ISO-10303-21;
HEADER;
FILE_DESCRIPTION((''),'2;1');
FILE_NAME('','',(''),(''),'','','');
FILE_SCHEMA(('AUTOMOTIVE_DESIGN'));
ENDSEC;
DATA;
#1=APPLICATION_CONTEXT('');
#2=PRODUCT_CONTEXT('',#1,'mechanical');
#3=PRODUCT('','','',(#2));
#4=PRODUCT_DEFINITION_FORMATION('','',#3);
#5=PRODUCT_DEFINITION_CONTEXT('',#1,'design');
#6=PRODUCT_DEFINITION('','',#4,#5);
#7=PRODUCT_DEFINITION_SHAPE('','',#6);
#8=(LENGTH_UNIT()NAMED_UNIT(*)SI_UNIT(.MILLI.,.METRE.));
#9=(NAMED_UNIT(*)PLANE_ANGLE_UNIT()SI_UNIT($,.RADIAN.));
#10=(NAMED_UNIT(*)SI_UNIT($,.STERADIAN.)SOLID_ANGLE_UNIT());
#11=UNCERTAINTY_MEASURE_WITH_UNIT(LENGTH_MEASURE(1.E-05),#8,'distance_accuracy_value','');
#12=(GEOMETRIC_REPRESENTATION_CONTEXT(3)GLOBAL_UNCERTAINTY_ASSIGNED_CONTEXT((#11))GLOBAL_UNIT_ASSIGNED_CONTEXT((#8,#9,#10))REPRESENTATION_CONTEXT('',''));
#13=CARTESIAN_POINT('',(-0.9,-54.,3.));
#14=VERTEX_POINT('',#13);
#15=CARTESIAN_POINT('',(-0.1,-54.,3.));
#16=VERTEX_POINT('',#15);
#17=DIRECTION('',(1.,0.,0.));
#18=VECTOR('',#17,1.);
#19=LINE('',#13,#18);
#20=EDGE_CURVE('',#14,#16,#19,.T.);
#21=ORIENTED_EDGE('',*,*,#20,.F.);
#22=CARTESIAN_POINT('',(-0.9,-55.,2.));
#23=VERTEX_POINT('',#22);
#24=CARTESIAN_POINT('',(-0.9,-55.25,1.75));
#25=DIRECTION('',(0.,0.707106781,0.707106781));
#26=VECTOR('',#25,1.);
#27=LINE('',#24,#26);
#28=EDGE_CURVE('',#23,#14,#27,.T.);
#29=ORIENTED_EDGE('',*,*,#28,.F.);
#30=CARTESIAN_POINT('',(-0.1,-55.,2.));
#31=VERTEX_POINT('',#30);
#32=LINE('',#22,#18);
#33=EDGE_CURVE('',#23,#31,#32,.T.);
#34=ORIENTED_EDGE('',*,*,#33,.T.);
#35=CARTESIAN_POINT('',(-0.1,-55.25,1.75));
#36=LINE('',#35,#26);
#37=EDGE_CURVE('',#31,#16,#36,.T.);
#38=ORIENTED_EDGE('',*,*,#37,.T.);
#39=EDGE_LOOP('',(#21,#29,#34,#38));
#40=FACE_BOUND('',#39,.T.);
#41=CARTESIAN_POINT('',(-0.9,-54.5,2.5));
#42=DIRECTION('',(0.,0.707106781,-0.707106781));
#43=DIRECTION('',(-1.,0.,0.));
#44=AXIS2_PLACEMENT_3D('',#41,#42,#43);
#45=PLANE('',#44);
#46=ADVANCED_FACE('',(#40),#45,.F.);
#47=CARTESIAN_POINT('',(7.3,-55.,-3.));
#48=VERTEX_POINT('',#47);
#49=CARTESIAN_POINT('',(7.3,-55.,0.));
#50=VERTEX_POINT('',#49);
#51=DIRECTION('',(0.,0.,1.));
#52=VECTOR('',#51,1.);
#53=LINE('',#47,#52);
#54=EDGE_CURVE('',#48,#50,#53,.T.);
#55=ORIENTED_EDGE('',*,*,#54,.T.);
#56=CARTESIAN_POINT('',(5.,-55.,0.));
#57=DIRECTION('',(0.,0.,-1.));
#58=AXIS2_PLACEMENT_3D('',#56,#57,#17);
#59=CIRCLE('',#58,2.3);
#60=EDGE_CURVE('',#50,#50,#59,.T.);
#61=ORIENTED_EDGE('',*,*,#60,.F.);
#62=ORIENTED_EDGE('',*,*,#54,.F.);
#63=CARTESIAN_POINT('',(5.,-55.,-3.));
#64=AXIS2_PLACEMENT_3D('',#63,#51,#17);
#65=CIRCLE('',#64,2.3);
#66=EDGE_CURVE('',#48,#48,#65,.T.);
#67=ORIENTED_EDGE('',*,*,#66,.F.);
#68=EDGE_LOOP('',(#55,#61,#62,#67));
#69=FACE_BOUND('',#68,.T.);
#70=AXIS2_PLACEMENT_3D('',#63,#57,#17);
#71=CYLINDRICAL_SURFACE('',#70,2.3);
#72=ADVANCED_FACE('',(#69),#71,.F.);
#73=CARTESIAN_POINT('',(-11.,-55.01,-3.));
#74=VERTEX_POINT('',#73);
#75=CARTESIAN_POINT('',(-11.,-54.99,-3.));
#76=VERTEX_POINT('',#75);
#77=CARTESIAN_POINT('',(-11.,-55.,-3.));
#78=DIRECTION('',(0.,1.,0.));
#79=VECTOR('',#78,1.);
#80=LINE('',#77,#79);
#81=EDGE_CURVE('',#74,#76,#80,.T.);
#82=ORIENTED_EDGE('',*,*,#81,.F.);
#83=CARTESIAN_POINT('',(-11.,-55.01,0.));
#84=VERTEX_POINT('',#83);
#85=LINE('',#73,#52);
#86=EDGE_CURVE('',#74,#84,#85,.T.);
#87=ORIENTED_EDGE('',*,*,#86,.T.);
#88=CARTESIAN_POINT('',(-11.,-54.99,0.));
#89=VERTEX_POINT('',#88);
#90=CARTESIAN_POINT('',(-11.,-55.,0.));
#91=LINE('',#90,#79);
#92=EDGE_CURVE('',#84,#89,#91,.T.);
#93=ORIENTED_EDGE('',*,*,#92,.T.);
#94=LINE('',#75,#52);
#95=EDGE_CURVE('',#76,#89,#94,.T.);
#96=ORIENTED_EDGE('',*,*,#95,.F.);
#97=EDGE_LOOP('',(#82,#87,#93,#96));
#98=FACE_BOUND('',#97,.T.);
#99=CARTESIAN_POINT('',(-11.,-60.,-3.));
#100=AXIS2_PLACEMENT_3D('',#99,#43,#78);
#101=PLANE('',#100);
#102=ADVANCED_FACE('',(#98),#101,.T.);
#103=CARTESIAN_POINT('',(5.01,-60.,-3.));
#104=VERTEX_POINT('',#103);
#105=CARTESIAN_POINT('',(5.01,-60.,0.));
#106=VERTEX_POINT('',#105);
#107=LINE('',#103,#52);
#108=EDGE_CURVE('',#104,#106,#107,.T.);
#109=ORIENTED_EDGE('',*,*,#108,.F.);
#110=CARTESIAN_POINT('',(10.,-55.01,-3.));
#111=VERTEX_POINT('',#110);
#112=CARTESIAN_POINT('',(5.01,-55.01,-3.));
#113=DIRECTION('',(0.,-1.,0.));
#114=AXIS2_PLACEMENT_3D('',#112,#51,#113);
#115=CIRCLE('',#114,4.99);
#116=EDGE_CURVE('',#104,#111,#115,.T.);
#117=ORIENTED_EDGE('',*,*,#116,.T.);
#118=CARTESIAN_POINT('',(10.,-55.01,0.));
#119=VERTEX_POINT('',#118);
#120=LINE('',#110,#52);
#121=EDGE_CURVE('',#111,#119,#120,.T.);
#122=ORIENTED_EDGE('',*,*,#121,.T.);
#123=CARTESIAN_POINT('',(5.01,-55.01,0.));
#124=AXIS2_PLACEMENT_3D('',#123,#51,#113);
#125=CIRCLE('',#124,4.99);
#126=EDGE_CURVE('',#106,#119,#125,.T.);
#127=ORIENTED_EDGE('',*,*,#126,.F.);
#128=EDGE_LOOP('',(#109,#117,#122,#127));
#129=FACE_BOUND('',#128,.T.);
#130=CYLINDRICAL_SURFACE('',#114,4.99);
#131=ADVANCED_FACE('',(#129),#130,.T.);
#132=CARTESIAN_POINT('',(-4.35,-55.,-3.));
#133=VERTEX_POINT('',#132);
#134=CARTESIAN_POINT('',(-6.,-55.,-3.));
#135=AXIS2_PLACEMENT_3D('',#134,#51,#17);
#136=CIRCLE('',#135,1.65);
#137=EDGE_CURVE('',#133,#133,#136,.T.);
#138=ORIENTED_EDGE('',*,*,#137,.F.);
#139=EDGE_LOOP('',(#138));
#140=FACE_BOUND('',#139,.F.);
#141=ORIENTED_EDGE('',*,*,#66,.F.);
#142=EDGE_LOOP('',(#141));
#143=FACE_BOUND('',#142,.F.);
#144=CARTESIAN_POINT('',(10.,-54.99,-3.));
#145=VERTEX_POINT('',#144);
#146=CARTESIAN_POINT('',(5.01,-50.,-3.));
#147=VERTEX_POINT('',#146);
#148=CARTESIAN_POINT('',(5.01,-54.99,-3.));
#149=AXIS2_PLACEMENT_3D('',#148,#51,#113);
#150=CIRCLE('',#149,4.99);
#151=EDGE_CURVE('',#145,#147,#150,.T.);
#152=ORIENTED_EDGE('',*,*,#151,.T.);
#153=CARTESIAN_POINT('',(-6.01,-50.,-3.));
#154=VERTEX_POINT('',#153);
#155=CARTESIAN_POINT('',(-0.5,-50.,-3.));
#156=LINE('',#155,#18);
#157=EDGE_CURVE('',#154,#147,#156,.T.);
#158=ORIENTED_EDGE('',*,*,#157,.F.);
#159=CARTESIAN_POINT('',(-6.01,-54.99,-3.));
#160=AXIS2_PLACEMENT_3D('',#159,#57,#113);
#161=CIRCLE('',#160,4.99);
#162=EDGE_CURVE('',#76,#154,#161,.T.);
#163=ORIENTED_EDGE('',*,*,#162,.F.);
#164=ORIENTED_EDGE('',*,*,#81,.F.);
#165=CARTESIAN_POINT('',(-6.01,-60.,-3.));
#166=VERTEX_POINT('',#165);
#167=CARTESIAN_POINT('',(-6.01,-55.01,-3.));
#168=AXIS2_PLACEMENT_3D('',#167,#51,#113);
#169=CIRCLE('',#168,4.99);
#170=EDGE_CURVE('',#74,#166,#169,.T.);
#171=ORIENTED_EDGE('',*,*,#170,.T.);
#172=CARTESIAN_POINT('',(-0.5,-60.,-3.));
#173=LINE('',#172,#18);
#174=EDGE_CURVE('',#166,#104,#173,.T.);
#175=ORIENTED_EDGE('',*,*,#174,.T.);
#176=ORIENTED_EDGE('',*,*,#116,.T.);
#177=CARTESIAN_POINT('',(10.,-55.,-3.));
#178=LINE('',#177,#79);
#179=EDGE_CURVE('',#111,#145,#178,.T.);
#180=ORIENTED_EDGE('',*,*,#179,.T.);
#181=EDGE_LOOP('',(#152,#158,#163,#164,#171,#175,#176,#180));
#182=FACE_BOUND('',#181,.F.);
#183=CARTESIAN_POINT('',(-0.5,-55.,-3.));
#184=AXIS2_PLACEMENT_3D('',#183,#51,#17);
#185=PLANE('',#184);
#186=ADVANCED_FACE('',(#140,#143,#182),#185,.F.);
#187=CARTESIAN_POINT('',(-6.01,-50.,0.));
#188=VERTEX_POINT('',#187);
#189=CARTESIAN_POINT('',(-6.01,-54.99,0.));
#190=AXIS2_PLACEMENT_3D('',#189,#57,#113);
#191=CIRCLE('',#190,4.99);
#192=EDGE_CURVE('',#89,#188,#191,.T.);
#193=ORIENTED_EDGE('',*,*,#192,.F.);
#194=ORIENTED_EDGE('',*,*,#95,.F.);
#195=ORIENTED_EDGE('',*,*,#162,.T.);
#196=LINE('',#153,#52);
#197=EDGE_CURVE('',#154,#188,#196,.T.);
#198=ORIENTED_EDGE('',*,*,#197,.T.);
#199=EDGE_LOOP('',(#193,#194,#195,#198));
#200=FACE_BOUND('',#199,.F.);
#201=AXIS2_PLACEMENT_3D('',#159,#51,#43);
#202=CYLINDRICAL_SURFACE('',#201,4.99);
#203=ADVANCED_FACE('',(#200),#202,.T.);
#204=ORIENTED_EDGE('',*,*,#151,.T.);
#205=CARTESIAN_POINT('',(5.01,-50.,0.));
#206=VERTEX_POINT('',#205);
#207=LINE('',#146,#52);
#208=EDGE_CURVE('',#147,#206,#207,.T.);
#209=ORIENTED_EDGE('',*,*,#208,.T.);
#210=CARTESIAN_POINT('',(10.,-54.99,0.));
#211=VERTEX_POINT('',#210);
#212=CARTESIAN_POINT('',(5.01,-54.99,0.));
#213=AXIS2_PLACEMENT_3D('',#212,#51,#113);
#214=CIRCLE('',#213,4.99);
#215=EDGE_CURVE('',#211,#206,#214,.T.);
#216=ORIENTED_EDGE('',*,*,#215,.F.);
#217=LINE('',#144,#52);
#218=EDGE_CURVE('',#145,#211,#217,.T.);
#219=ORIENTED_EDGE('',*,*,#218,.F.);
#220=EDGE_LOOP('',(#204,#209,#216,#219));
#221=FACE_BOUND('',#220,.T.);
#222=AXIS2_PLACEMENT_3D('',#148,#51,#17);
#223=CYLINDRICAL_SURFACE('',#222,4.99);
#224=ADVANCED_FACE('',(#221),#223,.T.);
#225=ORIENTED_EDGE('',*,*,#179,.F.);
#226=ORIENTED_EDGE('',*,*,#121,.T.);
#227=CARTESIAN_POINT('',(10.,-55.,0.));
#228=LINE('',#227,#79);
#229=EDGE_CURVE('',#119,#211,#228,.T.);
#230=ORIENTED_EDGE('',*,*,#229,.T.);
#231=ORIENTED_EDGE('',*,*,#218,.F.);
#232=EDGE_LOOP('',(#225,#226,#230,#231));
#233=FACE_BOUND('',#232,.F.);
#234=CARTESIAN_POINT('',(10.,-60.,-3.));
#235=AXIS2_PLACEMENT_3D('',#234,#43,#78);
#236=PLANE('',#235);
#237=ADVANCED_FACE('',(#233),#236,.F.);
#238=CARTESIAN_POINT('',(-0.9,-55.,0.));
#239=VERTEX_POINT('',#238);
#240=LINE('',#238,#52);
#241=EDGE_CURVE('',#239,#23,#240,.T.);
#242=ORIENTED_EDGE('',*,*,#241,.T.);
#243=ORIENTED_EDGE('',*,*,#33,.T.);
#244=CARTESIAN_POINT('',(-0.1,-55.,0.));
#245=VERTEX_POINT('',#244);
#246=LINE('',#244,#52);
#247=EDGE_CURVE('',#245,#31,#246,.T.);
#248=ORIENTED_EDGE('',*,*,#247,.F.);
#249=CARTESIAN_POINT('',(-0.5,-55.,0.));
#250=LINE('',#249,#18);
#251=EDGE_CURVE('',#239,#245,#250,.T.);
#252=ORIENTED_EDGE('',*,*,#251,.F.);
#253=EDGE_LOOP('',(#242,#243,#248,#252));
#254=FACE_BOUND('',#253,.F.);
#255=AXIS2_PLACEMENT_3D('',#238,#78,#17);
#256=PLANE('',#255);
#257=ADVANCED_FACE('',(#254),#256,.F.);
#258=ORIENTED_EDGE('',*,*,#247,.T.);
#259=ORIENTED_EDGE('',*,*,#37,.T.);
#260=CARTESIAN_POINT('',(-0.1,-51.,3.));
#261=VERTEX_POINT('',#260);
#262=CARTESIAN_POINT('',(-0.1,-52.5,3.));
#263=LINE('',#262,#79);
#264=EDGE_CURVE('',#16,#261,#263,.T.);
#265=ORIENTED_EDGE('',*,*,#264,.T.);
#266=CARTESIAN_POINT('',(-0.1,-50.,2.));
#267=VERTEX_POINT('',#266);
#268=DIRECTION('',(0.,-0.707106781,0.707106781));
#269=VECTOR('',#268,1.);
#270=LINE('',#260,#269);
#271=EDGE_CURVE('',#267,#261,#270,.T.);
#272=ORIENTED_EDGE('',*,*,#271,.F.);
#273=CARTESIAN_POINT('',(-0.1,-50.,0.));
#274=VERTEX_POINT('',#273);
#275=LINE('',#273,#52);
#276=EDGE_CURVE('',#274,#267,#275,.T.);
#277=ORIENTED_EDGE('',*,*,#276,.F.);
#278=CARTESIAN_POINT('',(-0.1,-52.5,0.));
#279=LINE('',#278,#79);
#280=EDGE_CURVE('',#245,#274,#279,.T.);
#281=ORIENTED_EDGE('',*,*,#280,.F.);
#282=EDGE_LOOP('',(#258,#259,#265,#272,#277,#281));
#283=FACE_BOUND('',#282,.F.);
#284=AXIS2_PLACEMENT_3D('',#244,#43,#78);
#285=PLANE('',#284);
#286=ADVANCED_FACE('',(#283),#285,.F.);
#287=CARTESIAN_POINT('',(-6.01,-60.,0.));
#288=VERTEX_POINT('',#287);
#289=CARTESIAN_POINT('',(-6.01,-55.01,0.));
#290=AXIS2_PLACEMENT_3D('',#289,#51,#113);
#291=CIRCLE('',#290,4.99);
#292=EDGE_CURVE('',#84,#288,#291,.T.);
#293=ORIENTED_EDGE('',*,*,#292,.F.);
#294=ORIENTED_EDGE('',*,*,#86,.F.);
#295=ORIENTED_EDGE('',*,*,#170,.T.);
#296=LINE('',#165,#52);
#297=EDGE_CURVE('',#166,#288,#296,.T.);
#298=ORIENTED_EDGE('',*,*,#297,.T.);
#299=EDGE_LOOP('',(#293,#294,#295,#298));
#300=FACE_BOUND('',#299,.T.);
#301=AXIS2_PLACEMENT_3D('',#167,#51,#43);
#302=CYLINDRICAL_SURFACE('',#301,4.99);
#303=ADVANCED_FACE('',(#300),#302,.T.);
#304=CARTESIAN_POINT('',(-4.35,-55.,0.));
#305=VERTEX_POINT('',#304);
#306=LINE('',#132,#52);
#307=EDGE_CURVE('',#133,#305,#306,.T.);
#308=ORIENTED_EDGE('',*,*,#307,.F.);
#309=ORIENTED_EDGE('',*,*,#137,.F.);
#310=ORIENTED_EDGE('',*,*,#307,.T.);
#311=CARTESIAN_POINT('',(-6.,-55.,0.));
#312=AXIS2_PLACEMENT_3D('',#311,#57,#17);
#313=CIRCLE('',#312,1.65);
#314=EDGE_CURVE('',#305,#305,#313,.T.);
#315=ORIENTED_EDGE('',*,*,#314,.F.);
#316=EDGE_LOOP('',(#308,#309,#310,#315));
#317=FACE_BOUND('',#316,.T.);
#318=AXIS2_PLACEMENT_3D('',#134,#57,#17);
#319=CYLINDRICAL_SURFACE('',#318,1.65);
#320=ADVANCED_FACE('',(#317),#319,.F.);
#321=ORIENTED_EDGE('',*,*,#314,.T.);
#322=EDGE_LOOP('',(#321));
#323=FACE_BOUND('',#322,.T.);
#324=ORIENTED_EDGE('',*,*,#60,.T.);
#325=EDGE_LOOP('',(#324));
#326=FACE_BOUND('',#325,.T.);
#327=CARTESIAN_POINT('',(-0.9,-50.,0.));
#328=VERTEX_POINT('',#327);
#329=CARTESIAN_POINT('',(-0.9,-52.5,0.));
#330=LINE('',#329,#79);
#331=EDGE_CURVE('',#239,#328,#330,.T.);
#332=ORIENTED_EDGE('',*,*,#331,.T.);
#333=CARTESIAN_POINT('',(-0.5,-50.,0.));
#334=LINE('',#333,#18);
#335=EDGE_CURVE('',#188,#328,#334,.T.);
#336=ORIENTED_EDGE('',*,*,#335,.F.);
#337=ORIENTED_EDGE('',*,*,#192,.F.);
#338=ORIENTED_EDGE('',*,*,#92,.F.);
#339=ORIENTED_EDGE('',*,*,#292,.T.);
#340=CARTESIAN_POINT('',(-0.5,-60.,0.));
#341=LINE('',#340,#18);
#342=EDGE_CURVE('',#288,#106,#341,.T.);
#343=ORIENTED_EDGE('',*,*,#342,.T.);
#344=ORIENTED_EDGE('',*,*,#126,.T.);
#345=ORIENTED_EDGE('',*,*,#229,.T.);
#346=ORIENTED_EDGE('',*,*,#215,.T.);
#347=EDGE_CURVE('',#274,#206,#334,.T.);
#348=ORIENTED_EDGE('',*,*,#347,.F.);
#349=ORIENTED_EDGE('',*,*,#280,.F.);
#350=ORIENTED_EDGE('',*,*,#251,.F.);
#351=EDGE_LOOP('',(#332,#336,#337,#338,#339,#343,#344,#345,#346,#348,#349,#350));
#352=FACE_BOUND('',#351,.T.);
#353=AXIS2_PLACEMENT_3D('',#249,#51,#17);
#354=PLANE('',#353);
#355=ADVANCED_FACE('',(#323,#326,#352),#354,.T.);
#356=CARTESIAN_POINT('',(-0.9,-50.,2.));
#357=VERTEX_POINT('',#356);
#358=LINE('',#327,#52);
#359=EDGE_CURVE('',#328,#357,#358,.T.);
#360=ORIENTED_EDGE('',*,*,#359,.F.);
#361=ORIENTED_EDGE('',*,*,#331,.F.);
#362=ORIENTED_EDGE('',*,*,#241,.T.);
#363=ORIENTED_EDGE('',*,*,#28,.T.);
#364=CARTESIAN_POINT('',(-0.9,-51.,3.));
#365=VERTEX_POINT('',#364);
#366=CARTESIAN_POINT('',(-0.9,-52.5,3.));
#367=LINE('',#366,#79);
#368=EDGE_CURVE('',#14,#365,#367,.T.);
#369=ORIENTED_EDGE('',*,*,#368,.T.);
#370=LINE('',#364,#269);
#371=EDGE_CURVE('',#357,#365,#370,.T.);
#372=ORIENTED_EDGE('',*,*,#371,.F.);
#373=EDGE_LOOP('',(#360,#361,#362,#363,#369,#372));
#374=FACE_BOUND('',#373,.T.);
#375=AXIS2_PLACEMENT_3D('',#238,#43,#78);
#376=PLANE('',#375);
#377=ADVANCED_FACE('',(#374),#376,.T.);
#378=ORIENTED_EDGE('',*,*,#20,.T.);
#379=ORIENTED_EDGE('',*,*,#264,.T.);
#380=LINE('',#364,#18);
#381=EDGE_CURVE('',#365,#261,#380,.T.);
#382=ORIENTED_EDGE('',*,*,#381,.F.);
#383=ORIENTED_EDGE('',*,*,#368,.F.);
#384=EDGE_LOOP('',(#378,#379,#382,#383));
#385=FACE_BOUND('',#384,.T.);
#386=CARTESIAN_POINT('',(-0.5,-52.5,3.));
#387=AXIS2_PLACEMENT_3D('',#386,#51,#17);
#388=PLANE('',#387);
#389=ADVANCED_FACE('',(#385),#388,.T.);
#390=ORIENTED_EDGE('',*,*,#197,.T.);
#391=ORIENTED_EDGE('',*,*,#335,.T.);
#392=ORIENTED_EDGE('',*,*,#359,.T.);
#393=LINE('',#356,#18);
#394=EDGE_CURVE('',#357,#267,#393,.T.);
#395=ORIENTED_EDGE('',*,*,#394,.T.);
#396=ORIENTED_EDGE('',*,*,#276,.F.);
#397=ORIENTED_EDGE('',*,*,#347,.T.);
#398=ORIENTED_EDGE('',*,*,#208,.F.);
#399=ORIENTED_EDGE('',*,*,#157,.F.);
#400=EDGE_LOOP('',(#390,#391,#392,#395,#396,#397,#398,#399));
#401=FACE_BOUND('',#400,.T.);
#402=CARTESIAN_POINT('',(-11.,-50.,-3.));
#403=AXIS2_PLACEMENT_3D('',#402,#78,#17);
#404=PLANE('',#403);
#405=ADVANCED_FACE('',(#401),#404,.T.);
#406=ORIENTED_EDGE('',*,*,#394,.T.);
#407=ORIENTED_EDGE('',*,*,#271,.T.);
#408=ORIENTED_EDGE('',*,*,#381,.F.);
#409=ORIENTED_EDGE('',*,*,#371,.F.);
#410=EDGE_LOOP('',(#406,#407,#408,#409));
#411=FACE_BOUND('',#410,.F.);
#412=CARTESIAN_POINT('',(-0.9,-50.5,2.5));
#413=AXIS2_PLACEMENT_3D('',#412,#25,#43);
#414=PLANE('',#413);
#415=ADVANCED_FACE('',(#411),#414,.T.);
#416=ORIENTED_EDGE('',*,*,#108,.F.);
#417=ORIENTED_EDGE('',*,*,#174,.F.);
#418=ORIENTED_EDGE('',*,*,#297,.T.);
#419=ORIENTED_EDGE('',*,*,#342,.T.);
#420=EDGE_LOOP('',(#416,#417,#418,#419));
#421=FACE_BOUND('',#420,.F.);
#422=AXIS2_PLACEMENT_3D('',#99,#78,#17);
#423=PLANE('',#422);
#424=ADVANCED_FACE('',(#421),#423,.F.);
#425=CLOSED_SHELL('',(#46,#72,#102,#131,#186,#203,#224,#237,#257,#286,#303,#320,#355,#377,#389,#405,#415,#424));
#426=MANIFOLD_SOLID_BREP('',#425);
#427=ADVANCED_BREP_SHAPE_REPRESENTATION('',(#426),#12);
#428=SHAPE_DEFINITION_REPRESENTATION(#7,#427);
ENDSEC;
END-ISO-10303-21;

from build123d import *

# Parameters (mm, degrees)
BOX002_W          = 0.8
BOX002_H          = 5
BOX002_DEPTH      = 3
CHAMFER001_SIZE   = 1
CYLINDER001_R     = 2.3
CYLINDER001_DEPTH = 10
CYLINDER_R        = 1.65
CYLINDER_DEPTH    = 10
BOX001_W          = 21
BOX001_H          = 10
BOX001_DEPTH      = 3
FILLET_R          = 4.99


with BuildPart() as chamfer001:
    # Box002 → Box002 (new body)
    with BuildSketch(Plane(origin=(-0.9, -55, 0), x_dir=(1, 0, 0), z_dir=(0, 0, 1))):
        with Locations((0.4, 2.5)):
            Rectangle(BOX002_W, BOX002_H)
    extrude(amount=BOX002_DEPTH)

    # Chamfer001
    chamfer001_edges = [chamfer001.edges().sort_by_distance(p)[0] for p in [
        (-0.5, -55, 3),
        (-0.5, -50, 3),
    ]]
    chamfer(chamfer001_edges, length=CHAMFER001_SIZE)


with BuildPart() as cylinder001:
    # Cylinder001 → Cylinder001 (new body)
    with BuildSketch(Plane(origin=(5, -55, -3), x_dir=(1, 0, 0), z_dir=(0, 0, 1))):
        Circle(CYLINDER001_R)
    extrude(amount=CYLINDER001_DEPTH)


with BuildPart() as fusion001:
    # Cylinder → Cylinder (new body)
    with BuildSketch(Plane(origin=(-6, -55, -3), x_dir=(1, 0, 0), z_dir=(0, 0, 1))):
        Circle(CYLINDER_R)
    extrude(amount=CYLINDER_DEPTH)

    # Fusion001: union Cylinder001
    add(cylinder001.part)


with BuildPart() as connector:
    # Box001 → Box001 (new body)
    with BuildSketch(Plane(origin=(-11, -60, -3), x_dir=(1, 0, 0), z_dir=(0, 0, 1))):
        with Locations((10.5, 5)):
            Rectangle(BOX001_W, BOX001_H)
    extrude(amount=BOX001_DEPTH)

    # Fillet
    fillet_edges = [connector.edges().sort_by_distance(p)[0] for p in [
        (-11, -60, -1.5),
        (-11, -50, -1.5),
        (10, -60, -1.5),
        (10, -50, -1.5),
    ]]
    fillet(fillet_edges, radius=FILLET_R)

    # Cut001: cut Fusion001
    add(fusion001.part, mode=Mode.SUBTRACT)

    # Fusion002: union Chamfer001
    add(chamfer001.part)


solid = connector.part
